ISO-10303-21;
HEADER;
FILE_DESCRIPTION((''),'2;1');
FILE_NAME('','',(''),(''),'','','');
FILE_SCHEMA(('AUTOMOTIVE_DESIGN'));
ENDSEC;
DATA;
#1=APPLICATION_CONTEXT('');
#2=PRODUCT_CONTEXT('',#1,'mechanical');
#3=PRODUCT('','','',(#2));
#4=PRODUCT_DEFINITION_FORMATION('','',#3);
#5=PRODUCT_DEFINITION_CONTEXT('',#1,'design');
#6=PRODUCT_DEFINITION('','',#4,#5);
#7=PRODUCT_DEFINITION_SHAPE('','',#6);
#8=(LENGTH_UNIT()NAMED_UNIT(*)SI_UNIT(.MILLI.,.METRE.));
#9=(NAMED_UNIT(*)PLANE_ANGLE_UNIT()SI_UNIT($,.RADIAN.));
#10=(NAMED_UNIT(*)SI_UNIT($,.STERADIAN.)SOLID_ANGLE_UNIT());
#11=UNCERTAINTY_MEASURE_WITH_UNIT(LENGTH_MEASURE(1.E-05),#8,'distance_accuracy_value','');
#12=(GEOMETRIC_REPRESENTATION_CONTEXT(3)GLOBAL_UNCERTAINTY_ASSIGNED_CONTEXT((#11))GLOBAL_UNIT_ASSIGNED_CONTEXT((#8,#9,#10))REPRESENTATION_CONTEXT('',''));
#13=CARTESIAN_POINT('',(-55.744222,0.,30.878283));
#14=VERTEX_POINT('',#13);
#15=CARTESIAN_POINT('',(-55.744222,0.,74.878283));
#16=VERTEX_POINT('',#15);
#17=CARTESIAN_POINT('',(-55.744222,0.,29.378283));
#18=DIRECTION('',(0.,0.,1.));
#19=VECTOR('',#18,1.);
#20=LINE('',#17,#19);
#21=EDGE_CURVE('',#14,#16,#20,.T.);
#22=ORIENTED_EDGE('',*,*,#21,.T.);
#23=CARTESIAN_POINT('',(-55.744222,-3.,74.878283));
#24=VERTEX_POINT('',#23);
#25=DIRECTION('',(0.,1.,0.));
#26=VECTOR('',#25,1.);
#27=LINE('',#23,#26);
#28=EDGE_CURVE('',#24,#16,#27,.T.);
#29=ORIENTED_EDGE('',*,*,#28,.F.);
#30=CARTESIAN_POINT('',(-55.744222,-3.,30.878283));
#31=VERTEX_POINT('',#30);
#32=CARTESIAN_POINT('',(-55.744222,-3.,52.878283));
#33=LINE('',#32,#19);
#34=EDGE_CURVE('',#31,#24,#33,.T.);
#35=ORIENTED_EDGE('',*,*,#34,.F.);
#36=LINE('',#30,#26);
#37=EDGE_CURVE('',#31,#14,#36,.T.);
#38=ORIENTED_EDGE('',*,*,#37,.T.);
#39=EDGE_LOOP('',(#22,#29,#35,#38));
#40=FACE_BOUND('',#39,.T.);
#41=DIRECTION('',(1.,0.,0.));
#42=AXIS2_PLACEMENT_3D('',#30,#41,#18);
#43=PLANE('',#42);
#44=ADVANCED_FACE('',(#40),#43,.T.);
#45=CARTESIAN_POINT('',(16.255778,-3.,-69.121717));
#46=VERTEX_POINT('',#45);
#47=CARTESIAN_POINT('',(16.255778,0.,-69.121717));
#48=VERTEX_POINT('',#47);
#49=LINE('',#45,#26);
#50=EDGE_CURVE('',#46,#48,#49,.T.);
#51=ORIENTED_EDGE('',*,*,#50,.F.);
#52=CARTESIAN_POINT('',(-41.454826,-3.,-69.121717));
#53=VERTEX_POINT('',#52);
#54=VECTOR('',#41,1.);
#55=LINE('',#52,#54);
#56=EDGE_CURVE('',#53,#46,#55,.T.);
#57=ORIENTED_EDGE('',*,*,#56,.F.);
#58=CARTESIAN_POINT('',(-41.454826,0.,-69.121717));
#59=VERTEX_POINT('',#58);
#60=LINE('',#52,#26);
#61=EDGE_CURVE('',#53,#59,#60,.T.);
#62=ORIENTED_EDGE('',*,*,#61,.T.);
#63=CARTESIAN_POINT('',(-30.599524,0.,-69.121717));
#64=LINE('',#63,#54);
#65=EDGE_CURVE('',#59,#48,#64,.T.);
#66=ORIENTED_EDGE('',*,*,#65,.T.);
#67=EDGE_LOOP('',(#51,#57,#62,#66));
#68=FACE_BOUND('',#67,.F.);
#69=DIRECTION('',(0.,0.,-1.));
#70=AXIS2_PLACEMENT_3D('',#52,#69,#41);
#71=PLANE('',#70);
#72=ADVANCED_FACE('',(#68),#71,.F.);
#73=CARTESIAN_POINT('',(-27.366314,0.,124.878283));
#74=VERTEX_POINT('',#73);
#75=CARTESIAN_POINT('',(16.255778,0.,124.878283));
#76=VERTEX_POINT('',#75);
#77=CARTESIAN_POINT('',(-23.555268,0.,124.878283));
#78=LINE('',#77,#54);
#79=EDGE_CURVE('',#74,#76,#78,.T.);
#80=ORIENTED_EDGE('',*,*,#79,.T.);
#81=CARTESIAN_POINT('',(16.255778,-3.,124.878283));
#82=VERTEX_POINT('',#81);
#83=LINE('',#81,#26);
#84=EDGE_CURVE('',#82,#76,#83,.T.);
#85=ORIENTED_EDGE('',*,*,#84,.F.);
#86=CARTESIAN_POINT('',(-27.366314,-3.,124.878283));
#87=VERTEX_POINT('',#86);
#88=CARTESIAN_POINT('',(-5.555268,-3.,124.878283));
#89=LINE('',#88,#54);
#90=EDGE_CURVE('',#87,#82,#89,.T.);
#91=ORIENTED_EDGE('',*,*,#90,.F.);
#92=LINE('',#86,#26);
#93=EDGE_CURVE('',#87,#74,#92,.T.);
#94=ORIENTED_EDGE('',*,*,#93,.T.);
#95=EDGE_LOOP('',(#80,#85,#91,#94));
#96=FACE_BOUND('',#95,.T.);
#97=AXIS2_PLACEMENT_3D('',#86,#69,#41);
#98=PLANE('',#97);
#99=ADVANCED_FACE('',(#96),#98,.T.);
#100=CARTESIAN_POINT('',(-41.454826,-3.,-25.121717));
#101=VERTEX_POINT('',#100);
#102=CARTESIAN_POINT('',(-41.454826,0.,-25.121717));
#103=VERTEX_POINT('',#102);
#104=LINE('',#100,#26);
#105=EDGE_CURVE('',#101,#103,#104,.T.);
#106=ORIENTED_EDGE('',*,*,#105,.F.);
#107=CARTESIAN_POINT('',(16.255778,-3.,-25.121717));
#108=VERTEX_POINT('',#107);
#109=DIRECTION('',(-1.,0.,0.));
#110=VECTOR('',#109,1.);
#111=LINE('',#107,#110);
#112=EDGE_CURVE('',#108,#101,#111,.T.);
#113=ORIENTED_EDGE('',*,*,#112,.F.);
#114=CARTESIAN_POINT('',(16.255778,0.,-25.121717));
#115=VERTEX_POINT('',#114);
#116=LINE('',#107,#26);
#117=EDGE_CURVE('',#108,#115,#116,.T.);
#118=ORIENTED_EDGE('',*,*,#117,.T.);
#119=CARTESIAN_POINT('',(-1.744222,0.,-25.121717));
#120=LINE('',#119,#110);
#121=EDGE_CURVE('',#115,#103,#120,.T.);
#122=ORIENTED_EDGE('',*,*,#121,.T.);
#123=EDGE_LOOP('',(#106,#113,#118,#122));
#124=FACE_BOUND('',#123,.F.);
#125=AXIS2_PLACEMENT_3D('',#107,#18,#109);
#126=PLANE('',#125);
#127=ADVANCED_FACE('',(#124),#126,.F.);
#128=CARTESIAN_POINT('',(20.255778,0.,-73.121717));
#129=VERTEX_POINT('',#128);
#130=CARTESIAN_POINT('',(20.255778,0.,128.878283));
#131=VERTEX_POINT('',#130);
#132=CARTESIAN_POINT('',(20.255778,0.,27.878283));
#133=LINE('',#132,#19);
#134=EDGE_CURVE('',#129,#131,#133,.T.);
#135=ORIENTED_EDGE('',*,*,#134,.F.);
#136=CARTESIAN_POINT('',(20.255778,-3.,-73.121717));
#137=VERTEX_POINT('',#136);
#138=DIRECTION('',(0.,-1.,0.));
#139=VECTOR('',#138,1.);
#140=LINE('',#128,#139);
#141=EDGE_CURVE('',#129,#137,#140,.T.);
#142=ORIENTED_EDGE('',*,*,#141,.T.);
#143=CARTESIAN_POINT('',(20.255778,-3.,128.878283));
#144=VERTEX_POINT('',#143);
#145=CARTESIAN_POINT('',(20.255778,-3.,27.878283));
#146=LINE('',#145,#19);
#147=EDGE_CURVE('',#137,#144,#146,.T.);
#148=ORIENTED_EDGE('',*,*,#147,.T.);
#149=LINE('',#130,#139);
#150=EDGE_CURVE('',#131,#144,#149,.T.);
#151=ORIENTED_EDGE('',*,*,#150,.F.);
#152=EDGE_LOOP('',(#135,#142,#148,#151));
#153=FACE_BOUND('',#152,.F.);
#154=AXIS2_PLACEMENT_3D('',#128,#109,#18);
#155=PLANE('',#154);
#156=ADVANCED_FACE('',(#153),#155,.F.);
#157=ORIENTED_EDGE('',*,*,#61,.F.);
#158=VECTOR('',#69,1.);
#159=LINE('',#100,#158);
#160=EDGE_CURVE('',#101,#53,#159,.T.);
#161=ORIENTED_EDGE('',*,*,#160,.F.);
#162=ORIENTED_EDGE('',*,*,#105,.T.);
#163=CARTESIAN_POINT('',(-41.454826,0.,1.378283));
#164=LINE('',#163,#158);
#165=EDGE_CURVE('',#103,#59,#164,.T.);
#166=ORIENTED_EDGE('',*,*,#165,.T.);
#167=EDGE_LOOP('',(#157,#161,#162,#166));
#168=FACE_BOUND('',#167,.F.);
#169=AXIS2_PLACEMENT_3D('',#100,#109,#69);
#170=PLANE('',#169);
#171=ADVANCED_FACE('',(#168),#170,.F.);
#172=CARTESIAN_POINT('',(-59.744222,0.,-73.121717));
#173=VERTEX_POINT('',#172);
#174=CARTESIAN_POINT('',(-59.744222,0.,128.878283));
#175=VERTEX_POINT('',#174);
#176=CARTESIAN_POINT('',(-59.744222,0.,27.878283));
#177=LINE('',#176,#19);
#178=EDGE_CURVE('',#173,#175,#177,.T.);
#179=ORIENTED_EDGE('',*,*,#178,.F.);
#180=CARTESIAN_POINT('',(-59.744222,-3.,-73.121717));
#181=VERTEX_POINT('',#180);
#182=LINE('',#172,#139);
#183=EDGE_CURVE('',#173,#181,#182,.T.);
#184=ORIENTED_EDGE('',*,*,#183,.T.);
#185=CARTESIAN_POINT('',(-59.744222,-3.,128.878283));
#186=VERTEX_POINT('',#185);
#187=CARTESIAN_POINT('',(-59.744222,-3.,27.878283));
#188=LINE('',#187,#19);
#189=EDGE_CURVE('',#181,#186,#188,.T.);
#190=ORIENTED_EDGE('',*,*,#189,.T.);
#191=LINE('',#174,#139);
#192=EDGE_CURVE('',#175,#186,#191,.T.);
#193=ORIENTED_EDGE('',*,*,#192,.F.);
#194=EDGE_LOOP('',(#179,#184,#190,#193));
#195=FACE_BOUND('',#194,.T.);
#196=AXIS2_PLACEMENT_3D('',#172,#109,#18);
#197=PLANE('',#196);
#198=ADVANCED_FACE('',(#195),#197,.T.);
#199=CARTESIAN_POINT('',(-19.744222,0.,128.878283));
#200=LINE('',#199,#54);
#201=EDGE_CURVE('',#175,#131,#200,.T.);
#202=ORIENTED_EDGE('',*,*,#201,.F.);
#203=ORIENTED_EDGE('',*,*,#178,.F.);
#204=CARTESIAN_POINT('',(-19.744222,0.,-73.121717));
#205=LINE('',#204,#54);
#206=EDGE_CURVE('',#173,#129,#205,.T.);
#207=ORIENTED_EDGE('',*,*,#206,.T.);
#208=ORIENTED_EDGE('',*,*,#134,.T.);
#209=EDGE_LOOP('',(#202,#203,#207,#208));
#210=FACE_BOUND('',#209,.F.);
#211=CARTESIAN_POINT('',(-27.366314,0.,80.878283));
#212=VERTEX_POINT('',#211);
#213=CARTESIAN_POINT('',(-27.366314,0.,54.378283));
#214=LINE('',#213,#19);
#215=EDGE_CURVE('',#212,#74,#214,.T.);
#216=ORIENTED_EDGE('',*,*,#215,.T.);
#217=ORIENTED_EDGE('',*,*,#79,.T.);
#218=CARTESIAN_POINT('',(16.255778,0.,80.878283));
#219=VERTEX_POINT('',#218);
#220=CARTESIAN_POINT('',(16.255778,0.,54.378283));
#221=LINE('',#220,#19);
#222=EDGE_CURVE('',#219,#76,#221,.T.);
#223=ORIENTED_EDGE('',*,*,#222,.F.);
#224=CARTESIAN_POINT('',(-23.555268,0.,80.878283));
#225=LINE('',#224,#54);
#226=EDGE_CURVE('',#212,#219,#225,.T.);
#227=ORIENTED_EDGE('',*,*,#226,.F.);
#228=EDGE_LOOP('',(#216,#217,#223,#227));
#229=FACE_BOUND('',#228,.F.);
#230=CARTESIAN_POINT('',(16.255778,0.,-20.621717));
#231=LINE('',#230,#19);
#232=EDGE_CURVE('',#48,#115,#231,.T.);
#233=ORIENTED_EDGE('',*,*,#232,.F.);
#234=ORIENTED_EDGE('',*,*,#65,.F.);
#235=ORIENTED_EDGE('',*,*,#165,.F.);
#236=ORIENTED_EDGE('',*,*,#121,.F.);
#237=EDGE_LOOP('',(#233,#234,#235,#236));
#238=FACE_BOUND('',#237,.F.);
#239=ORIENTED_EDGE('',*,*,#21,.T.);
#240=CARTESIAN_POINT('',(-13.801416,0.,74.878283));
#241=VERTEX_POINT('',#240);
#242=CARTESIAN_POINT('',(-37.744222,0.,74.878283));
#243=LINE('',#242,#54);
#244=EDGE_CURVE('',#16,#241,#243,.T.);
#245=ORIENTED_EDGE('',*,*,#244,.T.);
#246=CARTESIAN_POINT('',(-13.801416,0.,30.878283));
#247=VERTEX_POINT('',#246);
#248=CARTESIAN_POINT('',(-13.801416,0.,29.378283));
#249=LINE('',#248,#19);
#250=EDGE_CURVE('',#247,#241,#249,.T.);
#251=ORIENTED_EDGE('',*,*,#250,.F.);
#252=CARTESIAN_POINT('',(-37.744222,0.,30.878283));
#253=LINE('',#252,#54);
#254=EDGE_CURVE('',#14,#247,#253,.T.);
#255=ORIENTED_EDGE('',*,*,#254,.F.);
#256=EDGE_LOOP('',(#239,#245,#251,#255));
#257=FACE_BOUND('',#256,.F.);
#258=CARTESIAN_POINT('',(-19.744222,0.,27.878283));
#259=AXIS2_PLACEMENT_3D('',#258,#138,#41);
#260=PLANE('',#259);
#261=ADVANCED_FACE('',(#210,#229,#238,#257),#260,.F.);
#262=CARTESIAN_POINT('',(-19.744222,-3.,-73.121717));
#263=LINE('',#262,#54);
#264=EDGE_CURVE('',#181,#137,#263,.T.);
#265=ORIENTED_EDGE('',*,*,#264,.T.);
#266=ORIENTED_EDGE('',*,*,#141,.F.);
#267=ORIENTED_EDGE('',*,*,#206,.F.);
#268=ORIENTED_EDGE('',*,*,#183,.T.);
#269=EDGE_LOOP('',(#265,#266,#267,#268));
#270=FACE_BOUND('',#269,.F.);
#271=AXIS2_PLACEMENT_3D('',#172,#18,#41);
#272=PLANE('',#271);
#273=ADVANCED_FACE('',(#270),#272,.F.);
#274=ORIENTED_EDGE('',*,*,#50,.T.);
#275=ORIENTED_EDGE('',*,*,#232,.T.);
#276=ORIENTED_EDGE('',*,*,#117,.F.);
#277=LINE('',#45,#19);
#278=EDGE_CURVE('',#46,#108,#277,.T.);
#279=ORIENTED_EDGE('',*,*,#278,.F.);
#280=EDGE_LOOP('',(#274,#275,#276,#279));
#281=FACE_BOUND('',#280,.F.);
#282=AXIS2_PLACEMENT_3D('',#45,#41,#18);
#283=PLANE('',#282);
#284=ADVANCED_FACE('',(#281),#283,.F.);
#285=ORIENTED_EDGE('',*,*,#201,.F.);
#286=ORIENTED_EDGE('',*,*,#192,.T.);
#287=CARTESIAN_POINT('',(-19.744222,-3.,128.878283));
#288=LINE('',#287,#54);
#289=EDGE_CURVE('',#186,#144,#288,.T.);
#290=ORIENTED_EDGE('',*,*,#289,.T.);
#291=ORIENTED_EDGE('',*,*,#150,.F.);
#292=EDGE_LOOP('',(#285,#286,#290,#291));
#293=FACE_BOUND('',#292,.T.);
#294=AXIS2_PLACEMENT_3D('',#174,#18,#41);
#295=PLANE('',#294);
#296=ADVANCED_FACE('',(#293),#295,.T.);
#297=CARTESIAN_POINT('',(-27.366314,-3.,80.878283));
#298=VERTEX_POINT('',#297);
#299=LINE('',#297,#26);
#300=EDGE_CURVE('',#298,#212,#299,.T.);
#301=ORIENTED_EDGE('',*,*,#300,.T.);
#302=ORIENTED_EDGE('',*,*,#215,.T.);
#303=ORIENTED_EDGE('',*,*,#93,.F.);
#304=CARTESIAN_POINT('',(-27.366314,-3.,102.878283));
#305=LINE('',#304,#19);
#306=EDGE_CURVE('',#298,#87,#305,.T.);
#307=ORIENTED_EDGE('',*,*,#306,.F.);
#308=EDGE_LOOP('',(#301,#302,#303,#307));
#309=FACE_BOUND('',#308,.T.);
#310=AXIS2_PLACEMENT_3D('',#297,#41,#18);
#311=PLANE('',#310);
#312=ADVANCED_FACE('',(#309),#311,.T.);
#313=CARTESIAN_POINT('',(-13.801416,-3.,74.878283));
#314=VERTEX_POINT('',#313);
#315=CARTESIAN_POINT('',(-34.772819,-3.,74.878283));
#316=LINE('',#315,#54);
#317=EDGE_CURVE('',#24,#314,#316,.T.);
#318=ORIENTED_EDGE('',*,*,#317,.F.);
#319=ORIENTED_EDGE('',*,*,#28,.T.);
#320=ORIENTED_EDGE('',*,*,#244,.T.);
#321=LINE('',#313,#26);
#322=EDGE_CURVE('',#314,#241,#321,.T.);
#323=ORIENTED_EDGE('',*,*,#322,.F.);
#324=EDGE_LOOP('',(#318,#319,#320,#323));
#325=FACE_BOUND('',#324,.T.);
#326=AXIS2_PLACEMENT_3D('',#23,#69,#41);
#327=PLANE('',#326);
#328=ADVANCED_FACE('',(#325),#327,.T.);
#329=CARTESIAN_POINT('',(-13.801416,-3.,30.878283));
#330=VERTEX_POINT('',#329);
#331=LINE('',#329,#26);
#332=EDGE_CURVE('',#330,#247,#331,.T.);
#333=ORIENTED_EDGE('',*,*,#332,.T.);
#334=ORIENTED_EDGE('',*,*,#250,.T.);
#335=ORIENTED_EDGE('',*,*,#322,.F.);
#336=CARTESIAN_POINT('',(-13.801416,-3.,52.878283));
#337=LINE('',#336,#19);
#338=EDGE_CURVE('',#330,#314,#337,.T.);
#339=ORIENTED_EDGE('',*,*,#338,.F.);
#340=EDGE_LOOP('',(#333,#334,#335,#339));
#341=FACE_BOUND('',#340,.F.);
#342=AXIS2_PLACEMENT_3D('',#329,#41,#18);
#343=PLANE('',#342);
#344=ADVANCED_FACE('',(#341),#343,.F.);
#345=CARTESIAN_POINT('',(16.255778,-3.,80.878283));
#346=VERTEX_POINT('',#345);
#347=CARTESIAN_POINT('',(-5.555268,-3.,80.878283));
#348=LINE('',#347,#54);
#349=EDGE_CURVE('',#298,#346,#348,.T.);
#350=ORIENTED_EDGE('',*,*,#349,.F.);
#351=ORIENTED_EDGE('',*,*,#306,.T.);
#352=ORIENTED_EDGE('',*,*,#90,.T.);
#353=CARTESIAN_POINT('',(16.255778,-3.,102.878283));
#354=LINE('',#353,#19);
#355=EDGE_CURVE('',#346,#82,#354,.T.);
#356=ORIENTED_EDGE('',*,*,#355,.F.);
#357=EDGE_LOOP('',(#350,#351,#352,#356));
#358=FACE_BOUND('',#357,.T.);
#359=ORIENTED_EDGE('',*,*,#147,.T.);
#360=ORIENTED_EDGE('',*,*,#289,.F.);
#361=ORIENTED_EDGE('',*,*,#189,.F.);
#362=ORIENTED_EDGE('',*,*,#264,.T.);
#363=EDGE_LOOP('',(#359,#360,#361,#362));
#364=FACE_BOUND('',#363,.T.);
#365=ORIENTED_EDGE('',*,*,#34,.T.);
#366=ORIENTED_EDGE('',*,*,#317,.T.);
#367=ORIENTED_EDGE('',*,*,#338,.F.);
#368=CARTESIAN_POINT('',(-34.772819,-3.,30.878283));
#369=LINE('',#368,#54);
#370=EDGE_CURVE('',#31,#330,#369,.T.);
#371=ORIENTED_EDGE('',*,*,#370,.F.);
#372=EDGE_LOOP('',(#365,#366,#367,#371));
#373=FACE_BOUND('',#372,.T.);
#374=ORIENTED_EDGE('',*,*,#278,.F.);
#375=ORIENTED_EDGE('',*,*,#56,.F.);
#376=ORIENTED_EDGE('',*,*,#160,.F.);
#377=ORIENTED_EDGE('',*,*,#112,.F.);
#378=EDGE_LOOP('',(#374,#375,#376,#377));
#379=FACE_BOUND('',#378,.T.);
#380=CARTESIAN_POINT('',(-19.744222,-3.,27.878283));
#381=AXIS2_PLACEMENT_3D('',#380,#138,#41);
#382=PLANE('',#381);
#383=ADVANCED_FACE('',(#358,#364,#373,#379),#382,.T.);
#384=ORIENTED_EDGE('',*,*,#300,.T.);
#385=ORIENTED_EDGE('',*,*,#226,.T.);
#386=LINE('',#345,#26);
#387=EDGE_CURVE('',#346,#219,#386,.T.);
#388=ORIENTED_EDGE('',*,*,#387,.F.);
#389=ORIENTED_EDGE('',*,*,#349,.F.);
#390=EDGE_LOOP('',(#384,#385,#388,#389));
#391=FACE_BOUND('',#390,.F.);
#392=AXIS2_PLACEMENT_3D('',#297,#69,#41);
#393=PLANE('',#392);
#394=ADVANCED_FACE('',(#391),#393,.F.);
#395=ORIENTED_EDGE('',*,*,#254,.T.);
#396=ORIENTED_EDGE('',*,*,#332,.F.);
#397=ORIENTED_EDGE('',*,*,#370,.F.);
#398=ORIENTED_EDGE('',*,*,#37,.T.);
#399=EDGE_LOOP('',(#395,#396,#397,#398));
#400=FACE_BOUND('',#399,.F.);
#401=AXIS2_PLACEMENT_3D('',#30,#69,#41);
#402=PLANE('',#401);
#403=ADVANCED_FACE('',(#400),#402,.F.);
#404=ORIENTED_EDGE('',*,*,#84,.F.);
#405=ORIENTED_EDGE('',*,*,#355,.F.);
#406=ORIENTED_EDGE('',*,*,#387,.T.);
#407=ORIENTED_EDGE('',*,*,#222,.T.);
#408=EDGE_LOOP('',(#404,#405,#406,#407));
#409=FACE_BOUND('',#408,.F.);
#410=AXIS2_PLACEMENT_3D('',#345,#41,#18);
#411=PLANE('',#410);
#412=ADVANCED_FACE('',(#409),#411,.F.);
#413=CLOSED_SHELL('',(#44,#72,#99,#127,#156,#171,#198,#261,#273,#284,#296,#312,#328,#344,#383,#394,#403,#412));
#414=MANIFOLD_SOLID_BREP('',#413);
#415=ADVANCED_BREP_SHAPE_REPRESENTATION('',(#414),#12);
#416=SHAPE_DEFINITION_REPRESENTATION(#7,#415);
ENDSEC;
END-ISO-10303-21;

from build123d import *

# Parameters (mm, degrees)
F0_W     = 80
F0_H     = 202
F1_DEPTH = 3
F2_W     = 41.942806
F2_H     = 44
F2_W_2   = 43.622092
F3_DEPTH = 25


with BuildPart() as f1:
    # F0 (on Front) → F1 (new body)
    with BuildSketch(Plane.XZ):
        with Locations((-19.744222, 27.878283)):
            Rectangle(F0_W, F0_H)
    extrude(amount=F1_DEPTH)

    # F2 (on face) → F3 (cut)
    with BuildSketch(Plane.XZ.offset(3)):
        with Locations((-34.772819, 52.878283)):
            Rectangle(F2_W, F2_H)
        with Locations((-5.555268, 102.878283)):
            Rectangle(F2_W_2, F2_H)
        Polygon((16.255778, -25.121717), (-41.454826, -25.121717), (-41.454826, -42.175964), (-41.454826, -69.121717), (16.255778, -69.121717), align=None)
    extrude(amount=-F3_DEPTH, mode=Mode.SUBTRACT)


solid = f1.part
